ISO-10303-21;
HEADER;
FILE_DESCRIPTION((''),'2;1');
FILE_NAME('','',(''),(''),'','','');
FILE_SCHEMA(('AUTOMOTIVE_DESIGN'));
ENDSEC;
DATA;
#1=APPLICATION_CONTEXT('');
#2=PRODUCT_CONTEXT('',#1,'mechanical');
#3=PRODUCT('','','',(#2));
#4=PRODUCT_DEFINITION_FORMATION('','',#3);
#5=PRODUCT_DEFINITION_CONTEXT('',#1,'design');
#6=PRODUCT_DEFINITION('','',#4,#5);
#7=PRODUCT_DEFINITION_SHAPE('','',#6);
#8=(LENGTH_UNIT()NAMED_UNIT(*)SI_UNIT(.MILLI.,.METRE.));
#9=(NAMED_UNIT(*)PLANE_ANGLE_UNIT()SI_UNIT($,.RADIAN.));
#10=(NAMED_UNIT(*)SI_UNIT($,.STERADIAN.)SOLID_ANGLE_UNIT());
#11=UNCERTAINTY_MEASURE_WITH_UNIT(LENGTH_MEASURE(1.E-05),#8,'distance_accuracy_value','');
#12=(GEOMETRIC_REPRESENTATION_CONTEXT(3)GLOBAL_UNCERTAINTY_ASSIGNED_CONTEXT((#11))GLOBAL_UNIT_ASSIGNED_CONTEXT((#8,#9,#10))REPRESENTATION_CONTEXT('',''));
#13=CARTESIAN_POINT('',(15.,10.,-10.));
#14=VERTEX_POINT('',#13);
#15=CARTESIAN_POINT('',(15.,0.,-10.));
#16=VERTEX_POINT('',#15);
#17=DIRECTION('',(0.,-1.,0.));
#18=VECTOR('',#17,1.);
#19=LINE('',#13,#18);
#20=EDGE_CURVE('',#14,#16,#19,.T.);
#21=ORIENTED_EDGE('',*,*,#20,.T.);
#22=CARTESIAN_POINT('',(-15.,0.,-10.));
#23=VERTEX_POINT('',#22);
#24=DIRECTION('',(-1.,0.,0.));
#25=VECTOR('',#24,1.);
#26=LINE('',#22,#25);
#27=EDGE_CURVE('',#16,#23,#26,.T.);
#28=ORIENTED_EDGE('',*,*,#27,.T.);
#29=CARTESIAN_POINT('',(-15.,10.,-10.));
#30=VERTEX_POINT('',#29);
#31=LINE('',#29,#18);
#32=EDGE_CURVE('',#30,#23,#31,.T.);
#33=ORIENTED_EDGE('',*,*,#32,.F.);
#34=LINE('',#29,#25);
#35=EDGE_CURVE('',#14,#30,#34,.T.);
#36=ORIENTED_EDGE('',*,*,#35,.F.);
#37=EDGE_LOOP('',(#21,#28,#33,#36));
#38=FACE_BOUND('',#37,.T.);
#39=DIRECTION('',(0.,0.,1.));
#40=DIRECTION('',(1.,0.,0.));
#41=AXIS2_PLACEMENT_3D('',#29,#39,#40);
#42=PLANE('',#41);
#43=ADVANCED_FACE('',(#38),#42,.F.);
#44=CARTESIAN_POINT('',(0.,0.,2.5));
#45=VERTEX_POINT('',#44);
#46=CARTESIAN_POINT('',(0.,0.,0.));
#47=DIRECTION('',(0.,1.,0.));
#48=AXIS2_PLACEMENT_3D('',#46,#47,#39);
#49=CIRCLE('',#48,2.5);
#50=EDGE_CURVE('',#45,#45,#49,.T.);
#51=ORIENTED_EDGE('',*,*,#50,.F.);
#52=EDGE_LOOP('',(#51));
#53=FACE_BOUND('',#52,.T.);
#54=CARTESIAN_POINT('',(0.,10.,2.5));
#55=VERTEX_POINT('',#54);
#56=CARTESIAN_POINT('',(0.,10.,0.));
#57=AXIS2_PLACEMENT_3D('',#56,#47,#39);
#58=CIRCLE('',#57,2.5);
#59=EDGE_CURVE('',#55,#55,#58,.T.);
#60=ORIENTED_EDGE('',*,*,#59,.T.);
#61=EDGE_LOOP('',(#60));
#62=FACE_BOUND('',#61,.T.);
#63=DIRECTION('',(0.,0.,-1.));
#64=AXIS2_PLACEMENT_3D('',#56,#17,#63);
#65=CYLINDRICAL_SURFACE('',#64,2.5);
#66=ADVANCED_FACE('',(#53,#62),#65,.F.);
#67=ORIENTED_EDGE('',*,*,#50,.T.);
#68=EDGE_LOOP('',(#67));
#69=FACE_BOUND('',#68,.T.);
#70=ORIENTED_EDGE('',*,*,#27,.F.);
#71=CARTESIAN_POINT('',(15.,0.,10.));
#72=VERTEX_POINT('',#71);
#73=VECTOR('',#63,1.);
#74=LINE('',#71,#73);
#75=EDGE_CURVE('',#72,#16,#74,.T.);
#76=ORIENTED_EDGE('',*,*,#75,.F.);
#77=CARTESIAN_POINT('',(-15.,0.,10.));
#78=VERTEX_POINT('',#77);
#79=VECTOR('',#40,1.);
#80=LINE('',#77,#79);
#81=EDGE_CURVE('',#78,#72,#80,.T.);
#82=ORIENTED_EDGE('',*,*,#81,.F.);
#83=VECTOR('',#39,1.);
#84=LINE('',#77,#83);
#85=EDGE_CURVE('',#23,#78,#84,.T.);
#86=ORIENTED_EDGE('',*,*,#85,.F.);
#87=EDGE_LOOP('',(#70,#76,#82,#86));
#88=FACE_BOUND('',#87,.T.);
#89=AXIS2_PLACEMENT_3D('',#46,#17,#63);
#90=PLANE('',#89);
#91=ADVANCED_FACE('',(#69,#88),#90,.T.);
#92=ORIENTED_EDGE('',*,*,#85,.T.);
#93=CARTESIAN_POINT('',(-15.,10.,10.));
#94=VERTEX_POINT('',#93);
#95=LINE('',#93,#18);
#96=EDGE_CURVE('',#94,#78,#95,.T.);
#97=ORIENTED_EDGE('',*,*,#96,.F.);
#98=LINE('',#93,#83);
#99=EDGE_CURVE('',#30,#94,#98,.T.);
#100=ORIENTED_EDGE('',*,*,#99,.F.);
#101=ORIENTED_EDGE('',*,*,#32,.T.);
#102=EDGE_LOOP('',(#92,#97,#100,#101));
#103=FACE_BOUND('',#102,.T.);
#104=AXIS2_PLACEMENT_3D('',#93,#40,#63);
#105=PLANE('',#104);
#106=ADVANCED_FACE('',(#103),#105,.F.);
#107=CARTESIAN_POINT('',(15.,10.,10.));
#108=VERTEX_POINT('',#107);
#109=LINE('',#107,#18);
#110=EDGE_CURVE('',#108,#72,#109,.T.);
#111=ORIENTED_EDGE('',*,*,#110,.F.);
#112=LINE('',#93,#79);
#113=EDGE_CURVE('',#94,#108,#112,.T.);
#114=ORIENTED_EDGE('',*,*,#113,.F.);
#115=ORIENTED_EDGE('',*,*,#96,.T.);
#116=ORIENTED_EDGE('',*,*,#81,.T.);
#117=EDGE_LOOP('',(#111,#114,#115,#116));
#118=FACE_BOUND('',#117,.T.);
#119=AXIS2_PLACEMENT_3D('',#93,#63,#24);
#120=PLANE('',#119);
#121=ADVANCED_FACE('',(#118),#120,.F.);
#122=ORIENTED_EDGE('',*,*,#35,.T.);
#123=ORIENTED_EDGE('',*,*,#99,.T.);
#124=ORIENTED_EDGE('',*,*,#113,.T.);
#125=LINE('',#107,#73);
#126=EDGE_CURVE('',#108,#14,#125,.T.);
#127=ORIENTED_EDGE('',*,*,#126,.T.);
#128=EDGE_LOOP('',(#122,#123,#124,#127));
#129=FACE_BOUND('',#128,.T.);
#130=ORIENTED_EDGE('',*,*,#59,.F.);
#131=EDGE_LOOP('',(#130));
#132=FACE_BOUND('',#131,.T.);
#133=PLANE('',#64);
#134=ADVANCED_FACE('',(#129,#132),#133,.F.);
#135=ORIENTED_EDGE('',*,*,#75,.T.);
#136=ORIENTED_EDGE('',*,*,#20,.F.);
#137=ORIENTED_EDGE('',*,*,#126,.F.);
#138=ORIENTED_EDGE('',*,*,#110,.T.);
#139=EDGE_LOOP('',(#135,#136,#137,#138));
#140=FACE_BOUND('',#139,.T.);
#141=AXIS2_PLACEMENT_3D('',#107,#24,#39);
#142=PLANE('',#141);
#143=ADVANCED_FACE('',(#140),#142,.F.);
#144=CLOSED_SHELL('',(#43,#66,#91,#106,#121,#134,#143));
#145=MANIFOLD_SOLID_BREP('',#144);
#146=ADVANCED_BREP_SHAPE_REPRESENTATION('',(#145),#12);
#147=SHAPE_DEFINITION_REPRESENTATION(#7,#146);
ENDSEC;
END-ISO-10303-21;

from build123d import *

# Parameters (mm, degrees)
SKETCH1_W           = 30
SKETCH1_H           = 20
SKETCH1_R           = 2.5
BOSS_EXTRUDE1_DEPTH = 10


with BuildPart() as part:
    # Sketch1 → Boss-Extrude1 (new body)
    with BuildSketch(Plane(origin=(0, 0, 0), x_dir=(1, 0, 0), z_dir=(0, 1, 0))):
        Rectangle(SKETCH1_W, SKETCH1_H)
        with Locations(Location((0, 0, 0), (0, 0, 270))):
            Circle(SKETCH1_R, mode=Mode.SUBTRACT)
    extrude(amount=BOSS_EXTRUDE1_DEPTH)


solid = part.part
